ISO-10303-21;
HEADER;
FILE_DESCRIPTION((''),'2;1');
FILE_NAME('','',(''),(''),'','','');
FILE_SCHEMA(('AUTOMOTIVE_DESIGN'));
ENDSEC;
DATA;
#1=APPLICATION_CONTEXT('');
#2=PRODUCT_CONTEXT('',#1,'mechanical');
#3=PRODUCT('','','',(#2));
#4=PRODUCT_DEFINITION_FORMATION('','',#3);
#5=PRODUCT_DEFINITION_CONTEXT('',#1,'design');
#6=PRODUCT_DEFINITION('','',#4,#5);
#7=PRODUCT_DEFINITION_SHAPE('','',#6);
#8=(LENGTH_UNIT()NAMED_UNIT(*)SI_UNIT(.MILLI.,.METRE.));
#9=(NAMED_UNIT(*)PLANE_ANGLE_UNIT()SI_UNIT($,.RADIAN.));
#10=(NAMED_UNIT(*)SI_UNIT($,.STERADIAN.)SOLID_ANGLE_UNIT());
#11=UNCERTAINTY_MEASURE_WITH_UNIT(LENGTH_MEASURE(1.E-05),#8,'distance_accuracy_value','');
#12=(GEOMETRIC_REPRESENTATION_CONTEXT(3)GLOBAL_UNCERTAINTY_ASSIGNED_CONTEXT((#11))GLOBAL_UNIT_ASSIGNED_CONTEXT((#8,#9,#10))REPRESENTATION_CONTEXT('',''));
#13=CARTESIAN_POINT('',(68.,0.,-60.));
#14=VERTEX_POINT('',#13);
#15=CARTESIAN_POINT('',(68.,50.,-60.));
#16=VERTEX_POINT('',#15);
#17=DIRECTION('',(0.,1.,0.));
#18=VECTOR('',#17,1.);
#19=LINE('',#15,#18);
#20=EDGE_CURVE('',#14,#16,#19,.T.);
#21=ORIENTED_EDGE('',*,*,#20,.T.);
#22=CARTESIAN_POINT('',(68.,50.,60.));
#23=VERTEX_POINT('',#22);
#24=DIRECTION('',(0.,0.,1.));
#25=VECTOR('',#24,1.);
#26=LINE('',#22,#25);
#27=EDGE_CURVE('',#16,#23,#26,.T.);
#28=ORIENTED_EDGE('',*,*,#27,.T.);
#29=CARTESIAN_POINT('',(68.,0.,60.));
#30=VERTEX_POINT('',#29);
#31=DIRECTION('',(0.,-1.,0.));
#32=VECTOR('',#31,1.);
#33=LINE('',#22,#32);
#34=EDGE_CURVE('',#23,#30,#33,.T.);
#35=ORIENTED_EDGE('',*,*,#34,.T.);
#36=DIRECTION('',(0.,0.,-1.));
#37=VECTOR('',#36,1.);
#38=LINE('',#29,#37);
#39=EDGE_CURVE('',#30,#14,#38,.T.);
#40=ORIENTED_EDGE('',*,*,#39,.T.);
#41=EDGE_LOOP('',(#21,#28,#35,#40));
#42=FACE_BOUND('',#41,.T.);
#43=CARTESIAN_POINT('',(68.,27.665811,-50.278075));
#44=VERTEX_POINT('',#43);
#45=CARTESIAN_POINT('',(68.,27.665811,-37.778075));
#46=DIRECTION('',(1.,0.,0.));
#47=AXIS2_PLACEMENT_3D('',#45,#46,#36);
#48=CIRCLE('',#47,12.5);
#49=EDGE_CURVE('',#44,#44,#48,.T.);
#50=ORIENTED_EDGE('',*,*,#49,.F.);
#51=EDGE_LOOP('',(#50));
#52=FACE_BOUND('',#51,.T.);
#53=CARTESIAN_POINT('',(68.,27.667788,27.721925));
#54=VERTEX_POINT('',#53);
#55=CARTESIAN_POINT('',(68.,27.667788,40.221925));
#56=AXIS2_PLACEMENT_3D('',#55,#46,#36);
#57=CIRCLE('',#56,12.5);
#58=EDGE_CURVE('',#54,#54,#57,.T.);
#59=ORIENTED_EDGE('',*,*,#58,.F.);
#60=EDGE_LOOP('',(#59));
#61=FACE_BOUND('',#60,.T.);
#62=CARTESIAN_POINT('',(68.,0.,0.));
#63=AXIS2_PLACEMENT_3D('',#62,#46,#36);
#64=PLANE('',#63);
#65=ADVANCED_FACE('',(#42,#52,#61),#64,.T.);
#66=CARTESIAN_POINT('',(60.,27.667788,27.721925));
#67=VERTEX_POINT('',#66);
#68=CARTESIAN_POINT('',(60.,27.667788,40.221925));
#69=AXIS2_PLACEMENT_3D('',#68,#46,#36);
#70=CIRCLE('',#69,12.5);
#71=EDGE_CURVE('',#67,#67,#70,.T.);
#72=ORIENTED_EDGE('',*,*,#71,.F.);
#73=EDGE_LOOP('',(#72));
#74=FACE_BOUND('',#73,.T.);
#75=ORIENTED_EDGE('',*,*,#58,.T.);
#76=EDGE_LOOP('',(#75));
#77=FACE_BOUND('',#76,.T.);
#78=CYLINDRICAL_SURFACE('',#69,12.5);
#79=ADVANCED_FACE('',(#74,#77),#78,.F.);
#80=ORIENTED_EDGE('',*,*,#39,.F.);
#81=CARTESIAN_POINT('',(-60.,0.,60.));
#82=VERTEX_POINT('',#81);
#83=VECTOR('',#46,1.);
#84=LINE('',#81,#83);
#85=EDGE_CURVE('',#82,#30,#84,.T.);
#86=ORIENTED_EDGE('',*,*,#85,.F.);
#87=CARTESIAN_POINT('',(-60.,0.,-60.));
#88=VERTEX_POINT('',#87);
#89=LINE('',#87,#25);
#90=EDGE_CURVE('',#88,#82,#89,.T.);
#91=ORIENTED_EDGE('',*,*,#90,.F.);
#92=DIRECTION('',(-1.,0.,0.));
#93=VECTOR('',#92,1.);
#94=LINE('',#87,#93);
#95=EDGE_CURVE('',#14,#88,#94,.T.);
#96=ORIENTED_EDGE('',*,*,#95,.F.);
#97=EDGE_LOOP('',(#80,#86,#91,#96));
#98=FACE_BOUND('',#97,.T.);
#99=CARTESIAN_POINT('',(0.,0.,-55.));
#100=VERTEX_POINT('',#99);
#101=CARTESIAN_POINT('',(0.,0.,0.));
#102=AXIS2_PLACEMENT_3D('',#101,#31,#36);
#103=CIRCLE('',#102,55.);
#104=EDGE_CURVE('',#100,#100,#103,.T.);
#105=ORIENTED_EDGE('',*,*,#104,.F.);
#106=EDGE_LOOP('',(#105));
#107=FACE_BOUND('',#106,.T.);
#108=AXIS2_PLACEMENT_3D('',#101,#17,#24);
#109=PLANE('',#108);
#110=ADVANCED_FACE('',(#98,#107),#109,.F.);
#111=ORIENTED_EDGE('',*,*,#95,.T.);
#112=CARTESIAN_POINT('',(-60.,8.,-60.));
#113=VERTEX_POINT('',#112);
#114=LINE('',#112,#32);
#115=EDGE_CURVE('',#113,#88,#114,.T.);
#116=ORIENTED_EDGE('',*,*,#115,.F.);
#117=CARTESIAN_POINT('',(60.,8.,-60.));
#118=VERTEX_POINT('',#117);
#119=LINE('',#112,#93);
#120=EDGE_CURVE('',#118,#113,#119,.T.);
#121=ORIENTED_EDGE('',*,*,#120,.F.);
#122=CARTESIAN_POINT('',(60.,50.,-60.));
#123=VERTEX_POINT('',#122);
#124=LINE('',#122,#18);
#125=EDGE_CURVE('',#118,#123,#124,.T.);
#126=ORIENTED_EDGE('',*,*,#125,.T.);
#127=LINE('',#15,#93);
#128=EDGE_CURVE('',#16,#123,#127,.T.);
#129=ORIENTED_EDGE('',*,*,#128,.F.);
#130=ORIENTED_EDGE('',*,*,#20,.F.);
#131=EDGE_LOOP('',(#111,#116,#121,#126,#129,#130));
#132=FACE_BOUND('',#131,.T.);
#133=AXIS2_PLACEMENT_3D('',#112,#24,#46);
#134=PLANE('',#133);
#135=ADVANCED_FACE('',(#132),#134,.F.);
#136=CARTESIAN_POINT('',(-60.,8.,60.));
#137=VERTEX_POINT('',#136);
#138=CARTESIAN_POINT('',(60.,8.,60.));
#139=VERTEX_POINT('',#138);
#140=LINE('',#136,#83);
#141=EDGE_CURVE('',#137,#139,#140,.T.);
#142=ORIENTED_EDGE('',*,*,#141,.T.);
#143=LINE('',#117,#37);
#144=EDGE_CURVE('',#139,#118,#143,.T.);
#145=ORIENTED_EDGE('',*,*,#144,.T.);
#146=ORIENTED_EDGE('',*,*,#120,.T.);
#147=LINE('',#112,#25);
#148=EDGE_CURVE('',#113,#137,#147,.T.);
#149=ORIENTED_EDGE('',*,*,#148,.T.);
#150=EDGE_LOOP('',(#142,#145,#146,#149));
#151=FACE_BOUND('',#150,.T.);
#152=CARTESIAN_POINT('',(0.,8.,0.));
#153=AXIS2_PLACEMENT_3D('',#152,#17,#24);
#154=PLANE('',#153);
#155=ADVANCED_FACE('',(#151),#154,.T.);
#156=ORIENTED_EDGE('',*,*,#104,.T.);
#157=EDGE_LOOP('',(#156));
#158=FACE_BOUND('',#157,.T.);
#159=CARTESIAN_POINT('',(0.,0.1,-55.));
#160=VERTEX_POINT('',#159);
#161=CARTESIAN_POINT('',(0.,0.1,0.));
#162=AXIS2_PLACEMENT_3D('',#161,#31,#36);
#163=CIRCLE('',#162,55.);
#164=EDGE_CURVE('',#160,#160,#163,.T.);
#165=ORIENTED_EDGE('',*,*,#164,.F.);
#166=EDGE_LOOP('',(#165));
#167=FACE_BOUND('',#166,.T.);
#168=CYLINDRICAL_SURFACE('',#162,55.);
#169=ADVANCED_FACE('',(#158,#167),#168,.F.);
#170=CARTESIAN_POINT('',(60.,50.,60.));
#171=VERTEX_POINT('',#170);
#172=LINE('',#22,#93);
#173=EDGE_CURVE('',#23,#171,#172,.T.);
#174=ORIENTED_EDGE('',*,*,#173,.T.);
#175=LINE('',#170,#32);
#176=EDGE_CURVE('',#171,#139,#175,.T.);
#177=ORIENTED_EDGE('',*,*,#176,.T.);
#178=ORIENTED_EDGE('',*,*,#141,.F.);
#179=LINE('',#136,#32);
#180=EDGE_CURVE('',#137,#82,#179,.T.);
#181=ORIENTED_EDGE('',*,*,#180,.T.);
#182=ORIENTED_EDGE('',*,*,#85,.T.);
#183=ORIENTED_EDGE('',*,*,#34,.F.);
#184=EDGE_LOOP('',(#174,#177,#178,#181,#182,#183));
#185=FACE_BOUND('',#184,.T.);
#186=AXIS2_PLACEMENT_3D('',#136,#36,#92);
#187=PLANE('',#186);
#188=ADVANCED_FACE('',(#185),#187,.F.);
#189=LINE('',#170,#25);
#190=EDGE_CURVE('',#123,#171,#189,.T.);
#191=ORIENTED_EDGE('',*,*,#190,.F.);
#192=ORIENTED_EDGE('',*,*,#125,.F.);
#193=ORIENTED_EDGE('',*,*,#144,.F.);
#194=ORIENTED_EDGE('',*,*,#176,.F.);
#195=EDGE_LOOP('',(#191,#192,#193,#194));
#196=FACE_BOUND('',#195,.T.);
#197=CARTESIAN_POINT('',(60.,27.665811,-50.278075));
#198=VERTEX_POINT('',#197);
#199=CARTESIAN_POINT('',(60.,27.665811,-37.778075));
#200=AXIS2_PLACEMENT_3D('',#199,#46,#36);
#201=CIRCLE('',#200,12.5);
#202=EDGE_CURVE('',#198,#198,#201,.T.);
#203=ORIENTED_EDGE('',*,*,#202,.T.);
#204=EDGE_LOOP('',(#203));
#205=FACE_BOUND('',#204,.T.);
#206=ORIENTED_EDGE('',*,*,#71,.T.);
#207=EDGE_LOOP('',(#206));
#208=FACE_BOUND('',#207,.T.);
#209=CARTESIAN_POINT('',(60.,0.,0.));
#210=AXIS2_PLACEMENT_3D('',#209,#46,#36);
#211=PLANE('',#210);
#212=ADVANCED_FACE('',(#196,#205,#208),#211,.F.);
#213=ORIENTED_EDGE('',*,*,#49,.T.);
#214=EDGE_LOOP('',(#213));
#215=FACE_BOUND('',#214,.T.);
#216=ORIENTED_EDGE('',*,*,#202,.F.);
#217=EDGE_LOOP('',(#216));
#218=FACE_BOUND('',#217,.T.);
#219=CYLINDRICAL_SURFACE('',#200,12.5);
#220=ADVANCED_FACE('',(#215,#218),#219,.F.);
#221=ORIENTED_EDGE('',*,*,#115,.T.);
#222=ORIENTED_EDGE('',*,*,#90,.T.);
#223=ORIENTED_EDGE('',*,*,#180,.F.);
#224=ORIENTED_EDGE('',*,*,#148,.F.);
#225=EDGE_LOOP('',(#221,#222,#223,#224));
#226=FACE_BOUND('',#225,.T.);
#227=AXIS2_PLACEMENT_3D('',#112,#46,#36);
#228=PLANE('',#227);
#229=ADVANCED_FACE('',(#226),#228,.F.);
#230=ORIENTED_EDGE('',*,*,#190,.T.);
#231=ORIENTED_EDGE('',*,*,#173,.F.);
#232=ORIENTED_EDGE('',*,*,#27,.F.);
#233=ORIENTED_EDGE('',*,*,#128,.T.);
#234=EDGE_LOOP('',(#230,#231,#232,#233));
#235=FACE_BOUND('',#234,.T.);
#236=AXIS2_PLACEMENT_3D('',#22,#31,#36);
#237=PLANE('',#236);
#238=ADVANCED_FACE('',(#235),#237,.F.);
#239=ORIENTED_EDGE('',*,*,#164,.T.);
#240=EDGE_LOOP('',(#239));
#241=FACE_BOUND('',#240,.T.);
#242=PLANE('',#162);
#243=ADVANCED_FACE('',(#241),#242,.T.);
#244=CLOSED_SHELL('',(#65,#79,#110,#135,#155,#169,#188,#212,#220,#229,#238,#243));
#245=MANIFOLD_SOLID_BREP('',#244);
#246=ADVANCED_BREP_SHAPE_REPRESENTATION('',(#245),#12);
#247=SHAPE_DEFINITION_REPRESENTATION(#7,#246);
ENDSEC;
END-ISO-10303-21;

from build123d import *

# Parameters (mm, degrees)
SKETCH_1_W          = 120
SKETCH_1_H          = 120
EXTRUDE_1_DEPTH     = 8
SKETCH_2_W          = 120
SKETCH_2_H          = 50
EXTRUDE_2_DEPTH     = 8
SKETCH_3_R          = 12.5
CUT_EXTRUDE_1_DEPTH = 8
SKETCH_4_R          = 55
CUT_EXTRUDE_2_DEPTH = 0.1


with BuildPart() as part:
    # 草图1 → 凸台-拉伸1 (new body)
    with BuildSketch(Plane(origin=(0, 0, 0), x_dir=(1, 0, 0), z_dir=(0, 1, 0))):
        Rectangle(SKETCH_1_W, SKETCH_1_H)
    extrude(amount=EXTRUDE_1_DEPTH)

    # 草图2 → 凸台-拉伸2 (add)
    with BuildSketch(Plane(origin=(60, 0, 0), x_dir=(0, 0, -1), z_dir=(1, 0, 0))):
        with Locations((0, 25)):
            Rectangle(SKETCH_2_W, SKETCH_2_H)
    extrude(amount=EXTRUDE_2_DEPTH)

    # 草图3 → 切除-拉伸1 (cut)
    with BuildSketch(Plane(origin=(68, 0, 0), x_dir=(0, 0, -1), z_dir=(1, 0, 0))):
        with Locations((-40.221925454, 27.667787736)):
            Circle(SKETCH_3_R)
        with Locations((37.778074521, 27.665810834)):
            Circle(SKETCH_3_R)
    extrude(amount=-CUT_EXTRUDE_1_DEPTH, mode=Mode.SUBTRACT)

    # 草图4 → 切除-拉伸2 (cut)
    with BuildSketch(Plane.XZ):
        with Locations(Location((0, 0, 0), (0, 0, 270))):
            Circle(SKETCH_4_R)
    extrude(amount=-CUT_EXTRUDE_2_DEPTH, mode=Mode.SUBTRACT)


solid = part.part
